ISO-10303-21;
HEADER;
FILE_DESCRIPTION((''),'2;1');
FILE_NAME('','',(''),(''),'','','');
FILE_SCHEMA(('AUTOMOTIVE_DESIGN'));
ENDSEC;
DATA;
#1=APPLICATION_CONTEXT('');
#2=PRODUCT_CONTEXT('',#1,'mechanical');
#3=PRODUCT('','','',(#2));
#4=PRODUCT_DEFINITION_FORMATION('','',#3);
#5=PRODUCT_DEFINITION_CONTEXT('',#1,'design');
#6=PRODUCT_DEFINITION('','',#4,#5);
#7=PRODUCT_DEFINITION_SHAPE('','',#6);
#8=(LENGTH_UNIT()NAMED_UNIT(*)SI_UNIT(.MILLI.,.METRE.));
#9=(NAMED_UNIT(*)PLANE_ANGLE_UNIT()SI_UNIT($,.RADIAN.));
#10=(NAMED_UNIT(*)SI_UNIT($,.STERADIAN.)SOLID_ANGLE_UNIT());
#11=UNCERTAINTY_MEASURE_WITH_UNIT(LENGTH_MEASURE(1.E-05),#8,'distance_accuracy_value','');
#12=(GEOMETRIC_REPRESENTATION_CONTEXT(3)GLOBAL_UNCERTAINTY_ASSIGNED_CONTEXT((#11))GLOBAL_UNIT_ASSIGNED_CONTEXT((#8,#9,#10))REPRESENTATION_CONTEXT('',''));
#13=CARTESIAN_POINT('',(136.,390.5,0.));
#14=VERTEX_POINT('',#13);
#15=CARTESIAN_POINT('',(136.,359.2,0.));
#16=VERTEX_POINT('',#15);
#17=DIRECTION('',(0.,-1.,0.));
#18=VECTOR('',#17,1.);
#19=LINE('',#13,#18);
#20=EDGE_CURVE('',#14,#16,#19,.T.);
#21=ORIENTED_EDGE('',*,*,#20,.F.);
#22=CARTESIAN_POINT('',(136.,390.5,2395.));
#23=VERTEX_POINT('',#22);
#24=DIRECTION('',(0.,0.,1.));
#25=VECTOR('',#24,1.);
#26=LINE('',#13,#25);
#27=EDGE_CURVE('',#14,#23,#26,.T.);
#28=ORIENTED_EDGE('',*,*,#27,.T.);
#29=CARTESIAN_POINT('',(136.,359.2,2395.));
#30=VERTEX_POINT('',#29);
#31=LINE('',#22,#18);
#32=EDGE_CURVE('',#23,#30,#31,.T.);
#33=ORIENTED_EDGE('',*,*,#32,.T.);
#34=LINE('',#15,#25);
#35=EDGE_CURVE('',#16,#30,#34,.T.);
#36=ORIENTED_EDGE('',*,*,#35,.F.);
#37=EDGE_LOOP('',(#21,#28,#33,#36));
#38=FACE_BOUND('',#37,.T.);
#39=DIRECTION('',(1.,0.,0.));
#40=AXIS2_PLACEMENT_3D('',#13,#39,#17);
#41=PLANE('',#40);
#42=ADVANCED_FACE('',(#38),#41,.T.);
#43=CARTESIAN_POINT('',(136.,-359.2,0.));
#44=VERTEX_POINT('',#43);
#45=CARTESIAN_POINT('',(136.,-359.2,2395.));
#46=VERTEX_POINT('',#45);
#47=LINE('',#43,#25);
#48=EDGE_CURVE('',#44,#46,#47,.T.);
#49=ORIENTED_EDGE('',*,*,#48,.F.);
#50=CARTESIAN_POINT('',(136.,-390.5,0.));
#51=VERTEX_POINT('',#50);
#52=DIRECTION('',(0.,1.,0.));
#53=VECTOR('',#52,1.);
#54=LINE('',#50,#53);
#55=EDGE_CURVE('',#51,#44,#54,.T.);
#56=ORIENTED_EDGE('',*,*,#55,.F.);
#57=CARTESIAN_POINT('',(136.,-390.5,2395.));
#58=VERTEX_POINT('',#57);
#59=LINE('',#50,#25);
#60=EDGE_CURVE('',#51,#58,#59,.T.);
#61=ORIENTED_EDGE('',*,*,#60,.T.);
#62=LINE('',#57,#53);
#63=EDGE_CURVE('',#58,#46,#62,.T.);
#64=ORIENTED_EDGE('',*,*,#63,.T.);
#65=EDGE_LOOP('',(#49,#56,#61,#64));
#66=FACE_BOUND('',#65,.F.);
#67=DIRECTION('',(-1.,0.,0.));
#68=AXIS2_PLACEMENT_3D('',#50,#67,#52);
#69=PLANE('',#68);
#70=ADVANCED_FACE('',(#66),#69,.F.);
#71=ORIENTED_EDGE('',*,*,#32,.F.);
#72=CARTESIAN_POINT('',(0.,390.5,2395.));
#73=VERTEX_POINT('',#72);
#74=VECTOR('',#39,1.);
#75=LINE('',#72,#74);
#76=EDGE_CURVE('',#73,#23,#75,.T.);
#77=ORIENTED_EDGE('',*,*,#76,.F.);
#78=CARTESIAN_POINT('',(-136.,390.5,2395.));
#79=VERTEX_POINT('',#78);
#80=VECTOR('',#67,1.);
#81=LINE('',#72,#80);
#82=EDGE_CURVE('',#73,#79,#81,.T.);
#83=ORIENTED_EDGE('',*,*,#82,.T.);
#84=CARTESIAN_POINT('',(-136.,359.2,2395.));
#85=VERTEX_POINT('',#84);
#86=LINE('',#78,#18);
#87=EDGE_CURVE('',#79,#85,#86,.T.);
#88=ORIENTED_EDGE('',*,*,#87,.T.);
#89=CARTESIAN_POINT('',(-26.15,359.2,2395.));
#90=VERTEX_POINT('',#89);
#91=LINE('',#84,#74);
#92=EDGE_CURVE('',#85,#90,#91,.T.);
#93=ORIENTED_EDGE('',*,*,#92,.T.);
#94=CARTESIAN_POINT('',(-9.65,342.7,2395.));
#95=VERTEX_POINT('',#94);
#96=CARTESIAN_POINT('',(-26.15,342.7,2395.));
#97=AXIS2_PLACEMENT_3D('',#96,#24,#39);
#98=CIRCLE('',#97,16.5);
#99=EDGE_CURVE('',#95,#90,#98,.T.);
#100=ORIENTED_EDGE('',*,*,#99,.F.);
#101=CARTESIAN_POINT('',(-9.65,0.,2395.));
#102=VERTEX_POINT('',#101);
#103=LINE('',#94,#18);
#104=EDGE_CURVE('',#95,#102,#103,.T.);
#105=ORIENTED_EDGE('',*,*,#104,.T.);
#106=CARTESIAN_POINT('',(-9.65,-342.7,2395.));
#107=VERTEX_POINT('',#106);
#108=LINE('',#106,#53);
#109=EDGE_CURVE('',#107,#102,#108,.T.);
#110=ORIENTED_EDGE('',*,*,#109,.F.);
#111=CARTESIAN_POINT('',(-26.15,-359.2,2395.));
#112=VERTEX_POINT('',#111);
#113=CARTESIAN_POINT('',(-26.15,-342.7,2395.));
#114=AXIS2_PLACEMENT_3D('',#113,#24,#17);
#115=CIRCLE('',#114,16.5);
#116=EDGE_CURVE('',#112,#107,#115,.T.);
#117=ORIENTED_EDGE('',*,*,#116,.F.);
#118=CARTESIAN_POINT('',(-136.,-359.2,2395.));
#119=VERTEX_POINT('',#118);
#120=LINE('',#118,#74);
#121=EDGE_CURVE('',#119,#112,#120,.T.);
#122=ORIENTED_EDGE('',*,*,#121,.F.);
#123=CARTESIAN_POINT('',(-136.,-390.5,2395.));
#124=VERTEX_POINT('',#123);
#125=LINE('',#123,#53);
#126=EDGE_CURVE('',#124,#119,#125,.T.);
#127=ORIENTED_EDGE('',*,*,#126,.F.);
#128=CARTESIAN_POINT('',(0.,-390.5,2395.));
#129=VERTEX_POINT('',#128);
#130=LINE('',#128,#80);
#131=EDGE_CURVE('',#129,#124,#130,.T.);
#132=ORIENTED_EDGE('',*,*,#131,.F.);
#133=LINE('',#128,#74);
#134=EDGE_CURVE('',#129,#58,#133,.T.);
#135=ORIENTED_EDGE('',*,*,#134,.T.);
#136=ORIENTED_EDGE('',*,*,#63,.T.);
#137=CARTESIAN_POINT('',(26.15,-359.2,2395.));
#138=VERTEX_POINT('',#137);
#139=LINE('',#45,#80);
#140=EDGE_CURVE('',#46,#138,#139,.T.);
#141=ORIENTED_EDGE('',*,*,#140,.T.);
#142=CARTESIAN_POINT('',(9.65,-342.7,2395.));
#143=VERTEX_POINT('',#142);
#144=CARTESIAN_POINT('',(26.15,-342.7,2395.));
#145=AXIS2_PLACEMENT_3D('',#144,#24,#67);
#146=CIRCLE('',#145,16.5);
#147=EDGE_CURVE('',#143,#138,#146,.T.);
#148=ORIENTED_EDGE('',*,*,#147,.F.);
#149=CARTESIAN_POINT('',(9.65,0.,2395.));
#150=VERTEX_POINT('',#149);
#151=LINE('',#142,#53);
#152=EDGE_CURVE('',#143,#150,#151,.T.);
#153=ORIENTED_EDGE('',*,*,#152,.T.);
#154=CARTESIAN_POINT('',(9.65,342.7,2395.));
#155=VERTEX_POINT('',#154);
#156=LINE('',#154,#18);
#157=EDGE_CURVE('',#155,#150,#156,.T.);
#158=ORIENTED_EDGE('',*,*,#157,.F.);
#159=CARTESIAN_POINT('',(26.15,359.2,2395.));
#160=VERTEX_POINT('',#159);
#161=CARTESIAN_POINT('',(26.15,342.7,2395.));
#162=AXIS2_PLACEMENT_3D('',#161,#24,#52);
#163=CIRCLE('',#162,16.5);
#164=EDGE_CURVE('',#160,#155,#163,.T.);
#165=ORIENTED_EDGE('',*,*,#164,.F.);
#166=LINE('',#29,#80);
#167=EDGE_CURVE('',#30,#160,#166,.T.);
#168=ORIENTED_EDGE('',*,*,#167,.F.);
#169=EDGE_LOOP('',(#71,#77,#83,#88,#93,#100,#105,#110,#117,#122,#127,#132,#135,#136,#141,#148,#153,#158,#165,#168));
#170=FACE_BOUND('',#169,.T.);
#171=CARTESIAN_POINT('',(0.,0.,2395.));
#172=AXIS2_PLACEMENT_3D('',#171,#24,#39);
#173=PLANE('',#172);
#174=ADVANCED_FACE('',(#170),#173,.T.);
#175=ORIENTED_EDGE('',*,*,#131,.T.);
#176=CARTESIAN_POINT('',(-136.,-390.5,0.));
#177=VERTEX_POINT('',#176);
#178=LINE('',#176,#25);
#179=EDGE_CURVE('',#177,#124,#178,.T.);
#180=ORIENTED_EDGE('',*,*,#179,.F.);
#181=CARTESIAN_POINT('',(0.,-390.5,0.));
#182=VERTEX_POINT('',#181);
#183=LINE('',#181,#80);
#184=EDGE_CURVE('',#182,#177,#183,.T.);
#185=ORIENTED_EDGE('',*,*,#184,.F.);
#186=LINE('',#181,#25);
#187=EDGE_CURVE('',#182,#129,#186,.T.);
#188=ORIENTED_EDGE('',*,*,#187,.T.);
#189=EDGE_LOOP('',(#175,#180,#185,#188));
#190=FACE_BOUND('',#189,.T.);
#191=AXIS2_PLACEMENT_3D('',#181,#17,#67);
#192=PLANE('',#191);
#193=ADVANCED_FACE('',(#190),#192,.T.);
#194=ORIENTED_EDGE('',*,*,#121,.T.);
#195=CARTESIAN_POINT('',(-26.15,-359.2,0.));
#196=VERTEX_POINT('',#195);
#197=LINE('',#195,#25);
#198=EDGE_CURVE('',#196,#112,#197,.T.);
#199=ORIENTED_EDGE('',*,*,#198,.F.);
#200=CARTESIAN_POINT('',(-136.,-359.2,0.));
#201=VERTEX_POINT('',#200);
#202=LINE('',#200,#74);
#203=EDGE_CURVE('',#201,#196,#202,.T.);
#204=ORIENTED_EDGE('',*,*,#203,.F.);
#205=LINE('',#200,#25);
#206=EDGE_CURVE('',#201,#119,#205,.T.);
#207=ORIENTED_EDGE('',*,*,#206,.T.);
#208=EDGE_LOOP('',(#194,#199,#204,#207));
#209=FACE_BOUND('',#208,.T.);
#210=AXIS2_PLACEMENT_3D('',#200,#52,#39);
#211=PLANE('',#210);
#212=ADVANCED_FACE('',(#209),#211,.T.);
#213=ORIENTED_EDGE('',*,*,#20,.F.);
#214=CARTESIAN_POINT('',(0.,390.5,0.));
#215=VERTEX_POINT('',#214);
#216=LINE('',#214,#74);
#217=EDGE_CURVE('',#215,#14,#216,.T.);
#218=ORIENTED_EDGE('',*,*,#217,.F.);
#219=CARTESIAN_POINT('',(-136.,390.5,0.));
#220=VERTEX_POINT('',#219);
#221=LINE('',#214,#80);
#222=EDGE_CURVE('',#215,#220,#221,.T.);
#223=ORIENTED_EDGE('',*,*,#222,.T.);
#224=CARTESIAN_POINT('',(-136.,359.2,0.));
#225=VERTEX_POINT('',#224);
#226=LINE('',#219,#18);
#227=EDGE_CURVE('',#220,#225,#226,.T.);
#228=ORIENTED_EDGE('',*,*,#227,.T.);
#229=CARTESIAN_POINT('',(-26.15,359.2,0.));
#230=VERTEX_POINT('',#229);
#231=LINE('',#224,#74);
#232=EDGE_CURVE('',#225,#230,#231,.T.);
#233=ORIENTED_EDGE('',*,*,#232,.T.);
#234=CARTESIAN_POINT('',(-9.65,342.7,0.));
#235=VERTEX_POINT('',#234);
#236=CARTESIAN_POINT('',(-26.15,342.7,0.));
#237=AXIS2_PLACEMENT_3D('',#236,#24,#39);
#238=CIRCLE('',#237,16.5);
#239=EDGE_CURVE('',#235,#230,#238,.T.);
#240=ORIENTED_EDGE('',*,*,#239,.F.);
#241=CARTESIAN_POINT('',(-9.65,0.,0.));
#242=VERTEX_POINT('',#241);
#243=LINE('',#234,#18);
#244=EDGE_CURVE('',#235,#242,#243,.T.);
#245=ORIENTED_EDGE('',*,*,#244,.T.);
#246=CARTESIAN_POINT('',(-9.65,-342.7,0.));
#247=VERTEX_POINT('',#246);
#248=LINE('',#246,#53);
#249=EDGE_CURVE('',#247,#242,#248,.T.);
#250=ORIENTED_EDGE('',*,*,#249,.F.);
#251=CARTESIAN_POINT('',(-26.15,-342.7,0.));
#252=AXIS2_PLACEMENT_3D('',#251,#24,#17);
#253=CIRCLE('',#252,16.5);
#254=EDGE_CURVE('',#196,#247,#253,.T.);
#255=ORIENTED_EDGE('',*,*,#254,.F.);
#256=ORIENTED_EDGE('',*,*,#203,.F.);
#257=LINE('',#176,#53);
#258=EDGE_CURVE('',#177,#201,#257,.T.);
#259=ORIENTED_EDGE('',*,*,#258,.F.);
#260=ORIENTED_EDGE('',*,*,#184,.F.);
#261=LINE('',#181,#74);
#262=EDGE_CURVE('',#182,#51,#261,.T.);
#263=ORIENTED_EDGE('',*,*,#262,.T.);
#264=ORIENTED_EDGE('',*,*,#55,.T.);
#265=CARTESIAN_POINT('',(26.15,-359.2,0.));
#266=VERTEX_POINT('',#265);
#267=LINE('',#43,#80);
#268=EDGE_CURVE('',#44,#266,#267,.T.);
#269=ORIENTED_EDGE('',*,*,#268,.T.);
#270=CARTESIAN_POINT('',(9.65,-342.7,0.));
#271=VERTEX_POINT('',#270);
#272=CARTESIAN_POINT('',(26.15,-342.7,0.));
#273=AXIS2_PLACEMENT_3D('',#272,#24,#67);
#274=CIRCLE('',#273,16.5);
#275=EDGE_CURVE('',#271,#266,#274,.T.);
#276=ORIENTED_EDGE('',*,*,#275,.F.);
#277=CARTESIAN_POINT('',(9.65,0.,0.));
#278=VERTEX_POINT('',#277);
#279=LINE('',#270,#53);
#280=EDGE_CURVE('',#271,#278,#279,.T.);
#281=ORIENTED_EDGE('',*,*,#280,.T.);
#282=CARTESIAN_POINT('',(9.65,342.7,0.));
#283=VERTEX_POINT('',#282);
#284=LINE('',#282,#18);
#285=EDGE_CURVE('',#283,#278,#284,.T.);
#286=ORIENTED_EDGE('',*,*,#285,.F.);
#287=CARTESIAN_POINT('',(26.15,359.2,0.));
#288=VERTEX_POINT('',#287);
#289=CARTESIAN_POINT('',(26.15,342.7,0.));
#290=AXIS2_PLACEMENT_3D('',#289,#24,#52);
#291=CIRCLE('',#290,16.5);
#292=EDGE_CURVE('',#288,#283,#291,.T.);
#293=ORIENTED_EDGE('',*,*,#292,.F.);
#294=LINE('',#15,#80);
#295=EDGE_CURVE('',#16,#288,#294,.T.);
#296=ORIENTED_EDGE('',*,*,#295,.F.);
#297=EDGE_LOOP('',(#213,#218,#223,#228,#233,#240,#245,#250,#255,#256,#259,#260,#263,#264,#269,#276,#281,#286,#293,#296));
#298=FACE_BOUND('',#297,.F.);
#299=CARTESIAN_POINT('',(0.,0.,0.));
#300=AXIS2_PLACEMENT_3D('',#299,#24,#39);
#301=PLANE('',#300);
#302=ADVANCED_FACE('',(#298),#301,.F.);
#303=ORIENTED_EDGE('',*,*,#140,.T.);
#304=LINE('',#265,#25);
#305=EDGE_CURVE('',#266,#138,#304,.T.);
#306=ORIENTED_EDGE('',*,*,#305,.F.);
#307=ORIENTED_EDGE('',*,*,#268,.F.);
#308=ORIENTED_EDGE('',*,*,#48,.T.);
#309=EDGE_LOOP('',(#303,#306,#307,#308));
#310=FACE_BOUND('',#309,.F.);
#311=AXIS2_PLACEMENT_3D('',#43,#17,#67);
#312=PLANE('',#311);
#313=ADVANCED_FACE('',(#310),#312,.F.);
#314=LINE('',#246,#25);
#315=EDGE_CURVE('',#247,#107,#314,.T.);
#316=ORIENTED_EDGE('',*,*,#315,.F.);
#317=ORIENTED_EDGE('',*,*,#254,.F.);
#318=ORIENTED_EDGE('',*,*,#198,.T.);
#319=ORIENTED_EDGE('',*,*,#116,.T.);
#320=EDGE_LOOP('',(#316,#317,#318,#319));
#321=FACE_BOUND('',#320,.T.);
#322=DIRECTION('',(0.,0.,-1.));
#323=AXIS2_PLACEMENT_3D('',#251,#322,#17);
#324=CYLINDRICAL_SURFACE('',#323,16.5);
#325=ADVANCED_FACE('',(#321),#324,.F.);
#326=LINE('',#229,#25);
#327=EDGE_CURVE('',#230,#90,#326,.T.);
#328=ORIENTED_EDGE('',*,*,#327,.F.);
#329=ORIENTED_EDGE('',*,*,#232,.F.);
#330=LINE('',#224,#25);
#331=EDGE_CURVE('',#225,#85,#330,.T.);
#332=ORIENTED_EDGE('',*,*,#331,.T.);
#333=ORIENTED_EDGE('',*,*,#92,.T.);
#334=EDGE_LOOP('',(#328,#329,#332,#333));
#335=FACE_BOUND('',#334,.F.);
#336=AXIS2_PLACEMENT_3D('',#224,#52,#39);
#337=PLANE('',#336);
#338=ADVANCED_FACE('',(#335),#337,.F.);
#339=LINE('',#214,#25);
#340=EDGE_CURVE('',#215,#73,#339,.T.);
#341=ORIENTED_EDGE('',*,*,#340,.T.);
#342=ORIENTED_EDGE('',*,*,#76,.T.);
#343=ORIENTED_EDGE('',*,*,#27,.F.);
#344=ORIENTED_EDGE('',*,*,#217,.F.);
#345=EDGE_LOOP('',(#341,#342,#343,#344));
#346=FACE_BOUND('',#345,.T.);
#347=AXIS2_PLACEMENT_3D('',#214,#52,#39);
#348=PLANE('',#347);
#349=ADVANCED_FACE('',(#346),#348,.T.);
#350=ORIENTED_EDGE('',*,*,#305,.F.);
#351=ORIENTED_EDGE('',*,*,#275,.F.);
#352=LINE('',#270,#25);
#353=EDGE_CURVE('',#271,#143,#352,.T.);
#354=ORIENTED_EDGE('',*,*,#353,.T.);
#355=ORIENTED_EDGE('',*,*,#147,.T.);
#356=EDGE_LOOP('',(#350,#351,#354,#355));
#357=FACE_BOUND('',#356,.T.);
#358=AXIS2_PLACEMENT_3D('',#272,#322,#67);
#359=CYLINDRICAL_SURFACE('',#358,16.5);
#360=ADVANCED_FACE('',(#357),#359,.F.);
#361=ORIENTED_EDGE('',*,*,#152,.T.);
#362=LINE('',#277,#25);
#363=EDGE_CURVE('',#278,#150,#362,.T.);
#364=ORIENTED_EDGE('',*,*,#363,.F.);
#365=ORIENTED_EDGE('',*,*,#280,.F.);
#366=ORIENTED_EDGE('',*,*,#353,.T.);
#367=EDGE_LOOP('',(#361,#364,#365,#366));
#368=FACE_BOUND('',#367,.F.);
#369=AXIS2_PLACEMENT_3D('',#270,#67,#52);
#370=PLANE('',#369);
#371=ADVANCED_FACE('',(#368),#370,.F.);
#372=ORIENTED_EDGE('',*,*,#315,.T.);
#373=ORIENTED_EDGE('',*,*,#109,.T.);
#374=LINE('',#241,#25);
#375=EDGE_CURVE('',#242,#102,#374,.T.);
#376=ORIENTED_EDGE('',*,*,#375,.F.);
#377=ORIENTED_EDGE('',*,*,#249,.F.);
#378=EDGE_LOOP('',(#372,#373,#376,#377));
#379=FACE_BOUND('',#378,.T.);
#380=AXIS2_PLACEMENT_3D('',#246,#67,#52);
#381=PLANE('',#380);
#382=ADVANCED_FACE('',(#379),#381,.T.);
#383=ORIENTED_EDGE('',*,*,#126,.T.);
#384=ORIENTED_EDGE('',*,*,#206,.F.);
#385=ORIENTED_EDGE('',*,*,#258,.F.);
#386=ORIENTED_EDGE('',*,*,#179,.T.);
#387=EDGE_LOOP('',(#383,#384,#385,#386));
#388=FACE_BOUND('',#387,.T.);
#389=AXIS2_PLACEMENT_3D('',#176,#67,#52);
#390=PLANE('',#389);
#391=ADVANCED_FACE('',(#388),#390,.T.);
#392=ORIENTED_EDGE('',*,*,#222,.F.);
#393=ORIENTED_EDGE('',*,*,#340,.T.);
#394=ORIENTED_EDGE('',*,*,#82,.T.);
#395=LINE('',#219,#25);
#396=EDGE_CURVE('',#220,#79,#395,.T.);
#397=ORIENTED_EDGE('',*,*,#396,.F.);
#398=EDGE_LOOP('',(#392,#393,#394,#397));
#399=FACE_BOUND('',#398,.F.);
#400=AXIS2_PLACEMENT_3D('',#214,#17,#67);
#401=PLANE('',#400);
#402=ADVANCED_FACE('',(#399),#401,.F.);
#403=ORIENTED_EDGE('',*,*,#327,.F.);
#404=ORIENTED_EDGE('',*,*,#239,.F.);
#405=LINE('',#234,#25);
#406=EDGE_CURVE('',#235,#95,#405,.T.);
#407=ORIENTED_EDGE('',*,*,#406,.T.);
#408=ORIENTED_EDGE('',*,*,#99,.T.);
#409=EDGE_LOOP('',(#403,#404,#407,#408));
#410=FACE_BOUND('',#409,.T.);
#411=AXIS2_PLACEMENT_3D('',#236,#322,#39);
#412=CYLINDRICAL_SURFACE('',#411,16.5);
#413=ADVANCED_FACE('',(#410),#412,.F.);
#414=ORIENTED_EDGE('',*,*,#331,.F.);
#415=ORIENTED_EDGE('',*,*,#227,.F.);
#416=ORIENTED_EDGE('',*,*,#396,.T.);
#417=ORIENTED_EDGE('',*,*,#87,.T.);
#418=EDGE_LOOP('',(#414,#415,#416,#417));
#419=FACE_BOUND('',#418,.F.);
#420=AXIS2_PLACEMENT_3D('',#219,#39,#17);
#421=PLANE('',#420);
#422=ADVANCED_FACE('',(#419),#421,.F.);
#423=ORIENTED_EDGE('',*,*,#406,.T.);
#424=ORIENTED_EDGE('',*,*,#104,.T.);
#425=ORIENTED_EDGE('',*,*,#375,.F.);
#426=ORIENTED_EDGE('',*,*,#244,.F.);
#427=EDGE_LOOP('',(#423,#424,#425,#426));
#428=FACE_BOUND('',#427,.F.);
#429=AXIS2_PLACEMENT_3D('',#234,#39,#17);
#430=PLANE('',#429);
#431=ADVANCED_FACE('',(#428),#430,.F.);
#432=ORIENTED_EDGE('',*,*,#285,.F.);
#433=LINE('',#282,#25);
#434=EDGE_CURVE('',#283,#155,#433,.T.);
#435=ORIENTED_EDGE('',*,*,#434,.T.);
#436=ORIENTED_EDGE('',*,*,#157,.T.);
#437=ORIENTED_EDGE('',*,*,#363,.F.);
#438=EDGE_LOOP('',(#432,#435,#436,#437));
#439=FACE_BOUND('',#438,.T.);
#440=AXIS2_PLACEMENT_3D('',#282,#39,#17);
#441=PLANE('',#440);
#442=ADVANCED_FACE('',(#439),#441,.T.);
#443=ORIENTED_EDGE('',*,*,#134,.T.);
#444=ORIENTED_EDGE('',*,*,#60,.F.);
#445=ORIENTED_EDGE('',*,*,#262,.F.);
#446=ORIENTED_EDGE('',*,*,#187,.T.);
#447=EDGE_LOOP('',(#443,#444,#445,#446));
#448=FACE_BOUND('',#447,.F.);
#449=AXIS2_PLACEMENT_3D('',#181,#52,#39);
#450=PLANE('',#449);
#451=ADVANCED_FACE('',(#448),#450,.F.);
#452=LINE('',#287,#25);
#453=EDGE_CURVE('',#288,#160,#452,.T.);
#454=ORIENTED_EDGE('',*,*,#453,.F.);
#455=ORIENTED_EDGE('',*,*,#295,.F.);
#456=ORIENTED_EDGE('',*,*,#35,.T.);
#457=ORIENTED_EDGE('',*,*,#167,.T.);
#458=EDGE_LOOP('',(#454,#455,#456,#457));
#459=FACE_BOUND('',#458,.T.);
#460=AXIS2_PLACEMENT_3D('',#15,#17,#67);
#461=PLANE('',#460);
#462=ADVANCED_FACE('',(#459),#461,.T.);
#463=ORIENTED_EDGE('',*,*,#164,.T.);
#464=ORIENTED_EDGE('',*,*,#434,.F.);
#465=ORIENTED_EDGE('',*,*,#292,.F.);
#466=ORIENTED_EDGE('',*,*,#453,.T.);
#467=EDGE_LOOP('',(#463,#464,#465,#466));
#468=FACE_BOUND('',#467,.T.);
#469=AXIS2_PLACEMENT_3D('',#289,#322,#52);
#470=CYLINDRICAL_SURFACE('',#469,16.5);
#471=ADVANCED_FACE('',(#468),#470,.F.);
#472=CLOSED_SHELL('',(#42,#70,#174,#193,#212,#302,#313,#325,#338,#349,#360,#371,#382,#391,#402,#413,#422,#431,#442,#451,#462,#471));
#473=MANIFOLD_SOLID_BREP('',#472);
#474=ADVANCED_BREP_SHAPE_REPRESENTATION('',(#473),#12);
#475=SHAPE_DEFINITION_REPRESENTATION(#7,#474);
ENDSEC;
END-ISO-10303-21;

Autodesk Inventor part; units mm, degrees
ref_plane "YZ Plane" through (0, 0, 0) normal (1, 0, 0) x (0, 1, 0)
ref_plane "Start plane" through (0, 0, 0) normal (0, 0, 1) x (1, 0, 0)
ref_plane "End plane" through (0, 0, 2395) normal (0, 0, 1) x (1, 0, 0)
sketch "Sketch" plane through (0, 0, 0) normal (0, 0, 1) x (1, 0, 0)
  line L0 (-136, -390.5) -> (-136, -359.2)
  line L1 (-136, -359.2) -> (-26.15, -359.2)
  line L2 (-9.65, -342.7) -> (-9.65, 0)
  line L3 (-9.65, 0) -> (0, 0) construction
  line L4 (0, 0) -> (0, -390.5) construction
  line L5 (0, -390.5) -> (-136, -390.5)
  line L6 (-60, 0) -> (80, 0) construction
  line L7 (0, -60) -> (0, 80) construction
  line L8 (136, -390.5) -> (136, -359.2)
  line L9 (136, -359.2) -> (26.15, -359.2)
  line L10 (9.65, -342.7) -> (9.65, 0)
  line L11 (9.65, 0) -> (0, 0) construction
  line L12 (0, -390.5) -> (136, -390.5)
  line L13 (-136, 390.5) -> (-136, 359.2)
  line L14 (-136, 359.2) -> (-26.15, 359.2)
  line L15 (-9.65, 342.7) -> (-9.65, 0)
  line L16 (0, 390.5) -> (-136, 390.5)
  line L17 (136, 390.5) -> (136, 359.2)
  line L18 (136, 359.2) -> (26.15, 359.2)
  line L19 (0, 390.5) -> (136, 390.5)
  line L20 (9.65, 342.7) -> (9.65, 0)
  arc A0 (-9.65, 342.7) -> (-26.15, 359.2) centre (-26.15, 342.7) ccw
  arc A1 (26.15, 359.2) -> (9.65, 342.7) centre (26.15, 342.7) ccw
  arc A2 (9.65, -342.7) -> (26.15, -359.2) centre (26.15, -342.7) ccw
  arc A3 (-26.15, -359.2) -> (-9.65, -342.7) centre (-26.15, -342.7) ccw
  line L21 (0, 108) -> (0, -88) construction
  line L22 (-88, 0) -> (108, 0) construction
  point P0 (-9.65, -359.2)
  point P1 (9.65, -359.2)
  point P2 (-9.65, 359.2)
  point P3 (9.65, 359.2)
  dimension "d1" = 390.5
  dimension "d2" = 31.3
  dimension "d3" = 136
  dimension "d4" = 9.65
  dimension "d10" = 16.5
extrude "Body" add sketch "Sketch" along normal up to surface (2395 mm away) from surface at 0
sketch "Sketch4" plane through (0, 0, 0) normal (0, 0, 1) x (1, 0, 0)
  line L0 (0, 0) -> (10, 0)
ref_plane "Work Plane3" through (0, 0, 0) normal (0, -1, 0) x (1, 0, 0)
sketch "Sketch5" plane through (0, 0, 0) normal (0, -1, 0) x (1, 0, 0)
  line L0 (-2, 0) -> (12, 0) projected
  line L1 (-2, 2395) -> (12, 2395) projected
  dimension "d14" = 2395
equation "\"d1\" = 0.5 * G_H"
equation "\"d2\" = G_T1"
equation "\"d3\" = 0.5 * G_W"
equation "\"d4\" = 0.5 * G_T"
equation "\"d10\" = G_IR"
equation "\"d5\" = G_L"
equation "\"G_W\" = 272"
equation "\"G_H\" = 781"
equation "\"G_T\" = 19.3"
equation "\"G_T1\" = 31.3"
equation "\"G_IR\" = 16.5"
equation "\"G_L\" = d14"
equation "\"G_OFFSET_START\" = 0"
equation "\"G_OFFSET_END\" = 0"
equation "\"d12\" = G_OFFSET_END + B_L"
equation "\"B_L\" = 2395"
properties part number "AS 3679-1990 - 760 UB - 244 - 2395" material "Steel, Mild"
